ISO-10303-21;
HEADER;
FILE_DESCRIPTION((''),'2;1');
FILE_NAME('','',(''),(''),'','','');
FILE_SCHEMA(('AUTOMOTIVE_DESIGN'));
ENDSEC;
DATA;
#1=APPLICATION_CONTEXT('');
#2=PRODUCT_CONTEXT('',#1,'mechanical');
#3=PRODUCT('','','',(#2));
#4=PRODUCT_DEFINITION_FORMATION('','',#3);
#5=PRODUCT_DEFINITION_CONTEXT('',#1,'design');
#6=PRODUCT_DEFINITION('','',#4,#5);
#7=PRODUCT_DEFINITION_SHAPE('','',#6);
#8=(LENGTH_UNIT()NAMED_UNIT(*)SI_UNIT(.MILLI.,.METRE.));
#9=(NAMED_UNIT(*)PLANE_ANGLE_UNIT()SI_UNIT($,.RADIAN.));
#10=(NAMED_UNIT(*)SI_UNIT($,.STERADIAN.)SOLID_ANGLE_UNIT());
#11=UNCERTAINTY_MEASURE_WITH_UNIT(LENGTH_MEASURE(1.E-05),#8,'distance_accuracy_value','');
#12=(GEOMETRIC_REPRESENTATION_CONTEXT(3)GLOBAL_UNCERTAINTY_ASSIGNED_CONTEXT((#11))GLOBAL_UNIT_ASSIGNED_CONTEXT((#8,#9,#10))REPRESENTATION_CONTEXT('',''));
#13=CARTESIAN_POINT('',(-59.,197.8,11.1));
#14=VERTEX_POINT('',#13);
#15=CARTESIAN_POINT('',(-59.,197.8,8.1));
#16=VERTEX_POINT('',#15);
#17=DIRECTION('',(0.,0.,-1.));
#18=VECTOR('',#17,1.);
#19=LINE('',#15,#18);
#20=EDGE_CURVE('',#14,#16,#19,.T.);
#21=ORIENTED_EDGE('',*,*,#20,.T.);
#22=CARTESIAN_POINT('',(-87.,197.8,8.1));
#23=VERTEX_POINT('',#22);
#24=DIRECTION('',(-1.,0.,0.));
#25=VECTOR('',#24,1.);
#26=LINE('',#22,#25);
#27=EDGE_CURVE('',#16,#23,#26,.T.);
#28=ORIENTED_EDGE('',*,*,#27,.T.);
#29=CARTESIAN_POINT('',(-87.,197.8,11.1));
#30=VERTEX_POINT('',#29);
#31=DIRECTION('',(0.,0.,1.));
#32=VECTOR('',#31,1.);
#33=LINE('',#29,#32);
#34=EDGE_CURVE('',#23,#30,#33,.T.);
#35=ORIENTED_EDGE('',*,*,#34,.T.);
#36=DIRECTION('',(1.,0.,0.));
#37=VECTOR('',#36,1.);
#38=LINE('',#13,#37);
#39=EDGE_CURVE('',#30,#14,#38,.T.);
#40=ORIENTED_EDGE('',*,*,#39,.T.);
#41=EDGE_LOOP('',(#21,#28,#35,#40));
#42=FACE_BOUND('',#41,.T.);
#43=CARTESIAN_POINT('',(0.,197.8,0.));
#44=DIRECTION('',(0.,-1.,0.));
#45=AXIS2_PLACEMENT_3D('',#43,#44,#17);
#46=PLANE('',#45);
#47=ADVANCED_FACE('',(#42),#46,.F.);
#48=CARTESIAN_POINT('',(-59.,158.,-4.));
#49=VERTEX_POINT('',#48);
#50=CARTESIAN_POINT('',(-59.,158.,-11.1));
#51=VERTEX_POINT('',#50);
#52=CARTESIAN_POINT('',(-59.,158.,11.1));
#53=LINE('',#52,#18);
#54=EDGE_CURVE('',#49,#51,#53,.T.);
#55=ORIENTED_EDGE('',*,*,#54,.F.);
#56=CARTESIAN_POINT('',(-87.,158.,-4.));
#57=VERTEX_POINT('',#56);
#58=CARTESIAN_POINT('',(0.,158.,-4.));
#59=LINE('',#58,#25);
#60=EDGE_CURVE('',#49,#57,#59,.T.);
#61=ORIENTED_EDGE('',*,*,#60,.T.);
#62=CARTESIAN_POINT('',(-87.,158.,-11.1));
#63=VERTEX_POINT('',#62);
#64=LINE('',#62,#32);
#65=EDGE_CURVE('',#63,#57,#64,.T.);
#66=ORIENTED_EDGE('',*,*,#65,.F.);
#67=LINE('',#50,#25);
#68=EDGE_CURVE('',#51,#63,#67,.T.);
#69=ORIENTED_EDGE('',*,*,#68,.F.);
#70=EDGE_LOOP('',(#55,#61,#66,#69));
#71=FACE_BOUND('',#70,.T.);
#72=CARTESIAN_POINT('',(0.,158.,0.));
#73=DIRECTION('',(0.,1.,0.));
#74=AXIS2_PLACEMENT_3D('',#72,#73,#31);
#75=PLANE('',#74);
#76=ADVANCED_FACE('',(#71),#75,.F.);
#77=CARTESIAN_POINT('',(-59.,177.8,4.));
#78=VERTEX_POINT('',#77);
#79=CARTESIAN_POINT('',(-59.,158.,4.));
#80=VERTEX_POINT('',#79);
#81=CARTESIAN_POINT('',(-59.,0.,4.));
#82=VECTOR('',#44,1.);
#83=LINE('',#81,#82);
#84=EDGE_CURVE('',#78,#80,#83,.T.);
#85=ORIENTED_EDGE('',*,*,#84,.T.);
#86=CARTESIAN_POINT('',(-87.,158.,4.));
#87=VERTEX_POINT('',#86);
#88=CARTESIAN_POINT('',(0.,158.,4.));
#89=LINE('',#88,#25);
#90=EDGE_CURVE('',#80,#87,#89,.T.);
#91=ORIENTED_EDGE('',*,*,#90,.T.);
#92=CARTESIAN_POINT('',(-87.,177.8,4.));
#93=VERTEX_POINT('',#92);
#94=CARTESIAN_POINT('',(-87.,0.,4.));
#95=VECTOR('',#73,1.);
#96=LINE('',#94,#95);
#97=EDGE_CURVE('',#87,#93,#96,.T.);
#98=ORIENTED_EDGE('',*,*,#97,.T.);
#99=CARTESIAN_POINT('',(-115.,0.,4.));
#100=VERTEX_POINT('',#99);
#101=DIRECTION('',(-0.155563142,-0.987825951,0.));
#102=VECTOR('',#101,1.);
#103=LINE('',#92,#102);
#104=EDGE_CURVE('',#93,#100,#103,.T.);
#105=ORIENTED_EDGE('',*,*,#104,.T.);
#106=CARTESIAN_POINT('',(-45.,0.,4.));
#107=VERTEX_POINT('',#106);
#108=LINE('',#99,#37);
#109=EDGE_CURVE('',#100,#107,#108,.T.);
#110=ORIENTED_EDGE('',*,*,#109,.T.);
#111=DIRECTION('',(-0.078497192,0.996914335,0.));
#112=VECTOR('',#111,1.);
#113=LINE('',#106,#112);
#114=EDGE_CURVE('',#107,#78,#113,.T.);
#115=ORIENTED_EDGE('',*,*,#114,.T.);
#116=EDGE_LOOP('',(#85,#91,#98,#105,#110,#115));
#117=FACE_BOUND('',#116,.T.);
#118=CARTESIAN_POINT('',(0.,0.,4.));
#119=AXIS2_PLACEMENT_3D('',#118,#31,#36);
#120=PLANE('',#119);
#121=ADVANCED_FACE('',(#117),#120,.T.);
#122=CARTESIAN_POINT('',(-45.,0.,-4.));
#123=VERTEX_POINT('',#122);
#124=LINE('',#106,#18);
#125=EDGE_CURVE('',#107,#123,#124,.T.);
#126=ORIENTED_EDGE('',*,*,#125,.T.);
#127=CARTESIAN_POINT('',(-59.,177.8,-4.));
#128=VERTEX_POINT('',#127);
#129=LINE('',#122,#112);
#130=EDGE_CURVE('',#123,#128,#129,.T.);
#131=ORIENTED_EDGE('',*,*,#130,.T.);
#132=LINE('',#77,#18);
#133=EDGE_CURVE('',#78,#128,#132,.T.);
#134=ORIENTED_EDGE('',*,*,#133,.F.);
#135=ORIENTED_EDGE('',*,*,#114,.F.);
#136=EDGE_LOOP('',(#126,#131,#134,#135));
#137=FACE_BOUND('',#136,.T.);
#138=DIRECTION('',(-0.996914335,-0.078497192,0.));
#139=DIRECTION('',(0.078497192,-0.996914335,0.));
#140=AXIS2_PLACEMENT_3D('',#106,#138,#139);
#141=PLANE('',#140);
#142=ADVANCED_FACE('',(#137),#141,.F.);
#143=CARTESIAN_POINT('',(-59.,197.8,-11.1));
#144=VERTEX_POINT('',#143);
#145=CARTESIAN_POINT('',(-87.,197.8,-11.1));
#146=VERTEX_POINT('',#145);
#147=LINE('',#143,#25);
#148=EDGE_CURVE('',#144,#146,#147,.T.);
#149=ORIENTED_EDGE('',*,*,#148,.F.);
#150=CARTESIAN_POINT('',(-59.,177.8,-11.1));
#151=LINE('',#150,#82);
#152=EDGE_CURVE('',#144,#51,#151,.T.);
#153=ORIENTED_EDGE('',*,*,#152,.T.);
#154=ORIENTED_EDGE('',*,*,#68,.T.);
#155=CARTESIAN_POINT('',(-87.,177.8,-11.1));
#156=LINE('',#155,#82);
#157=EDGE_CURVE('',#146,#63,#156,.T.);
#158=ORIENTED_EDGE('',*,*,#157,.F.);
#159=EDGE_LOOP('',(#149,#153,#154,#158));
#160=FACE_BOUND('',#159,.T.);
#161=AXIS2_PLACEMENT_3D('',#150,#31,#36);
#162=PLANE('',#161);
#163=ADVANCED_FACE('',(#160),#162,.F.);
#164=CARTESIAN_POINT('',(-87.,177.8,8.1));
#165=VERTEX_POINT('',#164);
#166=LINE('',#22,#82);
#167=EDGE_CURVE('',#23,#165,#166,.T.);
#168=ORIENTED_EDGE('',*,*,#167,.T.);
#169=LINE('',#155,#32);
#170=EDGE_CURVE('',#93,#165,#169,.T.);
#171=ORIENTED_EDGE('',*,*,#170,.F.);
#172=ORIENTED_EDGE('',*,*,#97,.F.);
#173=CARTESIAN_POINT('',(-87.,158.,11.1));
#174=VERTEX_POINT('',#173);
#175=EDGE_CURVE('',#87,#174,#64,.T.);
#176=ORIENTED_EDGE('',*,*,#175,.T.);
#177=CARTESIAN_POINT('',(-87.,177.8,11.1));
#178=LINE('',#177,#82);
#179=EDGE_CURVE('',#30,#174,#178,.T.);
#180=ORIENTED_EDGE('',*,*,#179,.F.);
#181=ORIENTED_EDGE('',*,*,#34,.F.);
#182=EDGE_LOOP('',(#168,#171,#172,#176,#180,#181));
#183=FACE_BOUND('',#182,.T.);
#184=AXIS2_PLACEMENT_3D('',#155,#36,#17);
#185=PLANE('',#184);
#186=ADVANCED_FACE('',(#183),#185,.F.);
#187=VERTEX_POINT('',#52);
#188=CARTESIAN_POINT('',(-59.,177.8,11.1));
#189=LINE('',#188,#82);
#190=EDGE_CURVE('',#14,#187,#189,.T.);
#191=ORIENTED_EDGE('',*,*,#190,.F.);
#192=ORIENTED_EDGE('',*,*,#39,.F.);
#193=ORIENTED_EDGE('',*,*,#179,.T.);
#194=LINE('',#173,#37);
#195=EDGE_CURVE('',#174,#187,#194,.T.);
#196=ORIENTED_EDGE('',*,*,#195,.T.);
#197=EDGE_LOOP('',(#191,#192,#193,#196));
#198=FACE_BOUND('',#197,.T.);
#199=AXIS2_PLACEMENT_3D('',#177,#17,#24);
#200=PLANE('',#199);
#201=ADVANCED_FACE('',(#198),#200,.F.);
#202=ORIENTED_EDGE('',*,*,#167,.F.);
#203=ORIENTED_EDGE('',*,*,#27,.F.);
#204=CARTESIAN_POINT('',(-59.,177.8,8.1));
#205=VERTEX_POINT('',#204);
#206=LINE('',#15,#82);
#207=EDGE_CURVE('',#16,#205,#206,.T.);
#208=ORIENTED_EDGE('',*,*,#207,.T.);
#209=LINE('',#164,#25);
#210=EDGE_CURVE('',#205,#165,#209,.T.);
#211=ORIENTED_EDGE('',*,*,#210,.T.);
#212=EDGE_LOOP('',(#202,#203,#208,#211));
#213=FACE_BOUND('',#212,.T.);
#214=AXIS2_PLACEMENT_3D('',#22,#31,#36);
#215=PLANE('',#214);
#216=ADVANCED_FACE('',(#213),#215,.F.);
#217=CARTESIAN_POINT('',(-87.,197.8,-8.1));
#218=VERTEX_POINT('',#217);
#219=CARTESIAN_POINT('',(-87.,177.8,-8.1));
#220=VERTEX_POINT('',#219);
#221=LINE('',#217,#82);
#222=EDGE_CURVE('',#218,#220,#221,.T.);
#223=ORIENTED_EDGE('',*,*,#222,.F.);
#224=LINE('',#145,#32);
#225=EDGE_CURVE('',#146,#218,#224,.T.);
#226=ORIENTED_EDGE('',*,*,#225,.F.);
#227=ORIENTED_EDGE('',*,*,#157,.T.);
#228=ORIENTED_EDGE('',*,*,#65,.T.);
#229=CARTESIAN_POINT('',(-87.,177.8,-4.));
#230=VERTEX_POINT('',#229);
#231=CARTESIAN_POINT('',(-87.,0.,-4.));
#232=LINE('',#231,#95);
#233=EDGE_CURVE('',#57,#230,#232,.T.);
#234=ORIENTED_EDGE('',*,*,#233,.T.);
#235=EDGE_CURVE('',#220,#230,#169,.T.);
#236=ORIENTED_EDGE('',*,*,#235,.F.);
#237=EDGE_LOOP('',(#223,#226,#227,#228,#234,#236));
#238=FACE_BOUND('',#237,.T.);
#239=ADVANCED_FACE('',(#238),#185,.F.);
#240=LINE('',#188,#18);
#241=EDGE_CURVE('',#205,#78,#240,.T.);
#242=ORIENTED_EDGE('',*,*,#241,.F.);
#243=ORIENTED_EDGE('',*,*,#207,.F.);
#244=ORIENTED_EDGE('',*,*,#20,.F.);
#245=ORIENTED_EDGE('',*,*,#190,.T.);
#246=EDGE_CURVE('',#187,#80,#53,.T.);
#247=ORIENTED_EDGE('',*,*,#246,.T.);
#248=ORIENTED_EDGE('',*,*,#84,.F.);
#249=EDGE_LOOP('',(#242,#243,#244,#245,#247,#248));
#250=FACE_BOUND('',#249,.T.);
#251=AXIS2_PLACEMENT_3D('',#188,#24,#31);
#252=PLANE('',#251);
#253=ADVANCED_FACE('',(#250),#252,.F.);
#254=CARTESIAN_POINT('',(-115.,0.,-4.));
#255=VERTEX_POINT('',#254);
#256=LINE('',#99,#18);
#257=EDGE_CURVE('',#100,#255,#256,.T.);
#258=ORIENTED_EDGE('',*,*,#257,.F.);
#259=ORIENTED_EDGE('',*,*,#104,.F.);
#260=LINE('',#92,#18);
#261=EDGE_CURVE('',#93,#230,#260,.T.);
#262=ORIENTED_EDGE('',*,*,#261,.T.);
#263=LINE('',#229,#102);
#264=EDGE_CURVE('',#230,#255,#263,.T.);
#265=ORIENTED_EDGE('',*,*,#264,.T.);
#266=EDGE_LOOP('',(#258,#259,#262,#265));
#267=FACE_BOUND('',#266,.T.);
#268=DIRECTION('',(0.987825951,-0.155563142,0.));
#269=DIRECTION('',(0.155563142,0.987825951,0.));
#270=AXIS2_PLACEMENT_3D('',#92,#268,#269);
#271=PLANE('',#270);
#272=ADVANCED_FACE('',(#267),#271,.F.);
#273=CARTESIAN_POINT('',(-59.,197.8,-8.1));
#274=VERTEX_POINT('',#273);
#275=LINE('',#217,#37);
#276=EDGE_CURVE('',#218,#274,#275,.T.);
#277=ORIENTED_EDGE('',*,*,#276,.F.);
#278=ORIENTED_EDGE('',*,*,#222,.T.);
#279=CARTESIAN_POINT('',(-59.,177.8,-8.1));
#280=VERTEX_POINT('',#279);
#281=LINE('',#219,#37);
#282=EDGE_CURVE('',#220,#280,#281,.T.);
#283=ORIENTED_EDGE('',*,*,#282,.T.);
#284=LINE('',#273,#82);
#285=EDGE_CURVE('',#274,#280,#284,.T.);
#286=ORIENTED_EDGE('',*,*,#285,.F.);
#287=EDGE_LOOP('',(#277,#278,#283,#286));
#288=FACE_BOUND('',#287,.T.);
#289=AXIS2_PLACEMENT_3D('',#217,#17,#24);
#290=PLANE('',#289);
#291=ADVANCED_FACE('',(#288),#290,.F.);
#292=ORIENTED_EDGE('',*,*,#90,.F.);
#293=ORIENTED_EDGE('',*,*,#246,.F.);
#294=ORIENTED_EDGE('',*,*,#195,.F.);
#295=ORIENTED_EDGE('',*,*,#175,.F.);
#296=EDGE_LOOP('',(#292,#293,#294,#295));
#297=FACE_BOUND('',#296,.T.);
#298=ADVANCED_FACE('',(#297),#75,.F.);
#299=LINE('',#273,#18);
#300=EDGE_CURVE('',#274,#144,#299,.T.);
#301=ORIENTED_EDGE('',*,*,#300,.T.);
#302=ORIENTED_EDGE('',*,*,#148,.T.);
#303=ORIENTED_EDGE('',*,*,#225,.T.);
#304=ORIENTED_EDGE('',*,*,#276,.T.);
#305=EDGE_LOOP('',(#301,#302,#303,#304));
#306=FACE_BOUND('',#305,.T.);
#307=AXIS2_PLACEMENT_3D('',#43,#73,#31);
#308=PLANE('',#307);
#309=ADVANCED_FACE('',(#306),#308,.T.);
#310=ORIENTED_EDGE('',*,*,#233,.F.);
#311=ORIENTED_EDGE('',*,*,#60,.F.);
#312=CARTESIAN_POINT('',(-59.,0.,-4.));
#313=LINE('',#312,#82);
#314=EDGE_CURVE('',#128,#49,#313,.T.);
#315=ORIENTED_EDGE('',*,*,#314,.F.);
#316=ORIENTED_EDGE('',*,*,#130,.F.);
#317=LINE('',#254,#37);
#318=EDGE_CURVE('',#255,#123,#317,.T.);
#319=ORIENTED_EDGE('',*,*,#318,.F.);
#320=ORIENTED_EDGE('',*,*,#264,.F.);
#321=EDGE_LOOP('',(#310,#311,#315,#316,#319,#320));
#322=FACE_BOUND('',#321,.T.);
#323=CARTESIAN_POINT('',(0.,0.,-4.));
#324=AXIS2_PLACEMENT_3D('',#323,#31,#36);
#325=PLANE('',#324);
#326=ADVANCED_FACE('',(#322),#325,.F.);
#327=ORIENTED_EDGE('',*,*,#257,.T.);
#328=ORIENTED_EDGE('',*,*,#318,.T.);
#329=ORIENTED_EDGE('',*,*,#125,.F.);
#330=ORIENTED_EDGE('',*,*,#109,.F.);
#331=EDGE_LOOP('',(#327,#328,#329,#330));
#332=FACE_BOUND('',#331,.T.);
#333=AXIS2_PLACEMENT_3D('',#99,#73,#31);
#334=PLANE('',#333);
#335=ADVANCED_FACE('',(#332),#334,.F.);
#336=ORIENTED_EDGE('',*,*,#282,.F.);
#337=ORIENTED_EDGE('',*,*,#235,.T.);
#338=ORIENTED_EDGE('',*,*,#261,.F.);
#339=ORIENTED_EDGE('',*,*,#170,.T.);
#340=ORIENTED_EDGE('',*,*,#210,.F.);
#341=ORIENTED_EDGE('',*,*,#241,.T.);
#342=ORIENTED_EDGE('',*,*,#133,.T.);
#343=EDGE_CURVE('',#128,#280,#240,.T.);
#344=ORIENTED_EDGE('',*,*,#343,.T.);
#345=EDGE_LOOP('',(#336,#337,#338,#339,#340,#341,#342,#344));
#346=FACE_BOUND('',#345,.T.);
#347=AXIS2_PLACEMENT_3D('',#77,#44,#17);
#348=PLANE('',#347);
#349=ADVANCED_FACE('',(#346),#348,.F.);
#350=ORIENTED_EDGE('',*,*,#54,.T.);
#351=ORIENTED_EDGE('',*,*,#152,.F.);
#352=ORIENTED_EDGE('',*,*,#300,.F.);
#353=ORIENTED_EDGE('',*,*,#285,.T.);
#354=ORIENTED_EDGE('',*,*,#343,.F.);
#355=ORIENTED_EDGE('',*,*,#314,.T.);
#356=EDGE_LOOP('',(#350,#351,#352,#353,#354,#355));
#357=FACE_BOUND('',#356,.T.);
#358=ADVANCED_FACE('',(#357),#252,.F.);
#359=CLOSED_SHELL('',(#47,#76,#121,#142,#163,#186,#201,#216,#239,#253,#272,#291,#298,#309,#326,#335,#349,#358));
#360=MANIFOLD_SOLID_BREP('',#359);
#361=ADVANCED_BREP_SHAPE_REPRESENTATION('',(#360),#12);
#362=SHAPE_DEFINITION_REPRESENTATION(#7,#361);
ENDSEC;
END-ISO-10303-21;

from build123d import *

# Parameters (mm, degrees)
BOSS_EXTRUDE1_DEPTH = 4
BOSS_EXTRUDE2_START = 158
SKETCH2_W           = 28
SKETCH2_H           = 22.2
BOSS_EXTRUDE2_DEPTH = 19.8
BOSS_EXTRUDE3_START = 177.8
SKETCH3_W           = 28
SKETCH3_H           = 3
BOSS_EXTRUDE3_DEPTH = 20


with BuildPart() as part:
    # Sketch1 → Boss-Extrude1 (new, symmetric)
    with BuildSketch(Plane.XY):
        Polygon((-115, 0), (-45, 0), (-59, 177.8), (-87, 177.8), align=None)
    extrude(amount=BOSS_EXTRUDE1_DEPTH, both=True)

    # Sketch2 → Boss-Extrude2 (add)
    with BuildSketch(Plane(origin=(0, 0, 0), x_dir=(1, 0, 0), z_dir=(0, 1, 0)).offset(BOSS_EXTRUDE2_START)):
        with Locations((-73, 0)):
            Rectangle(SKETCH2_W, SKETCH2_H)
    extrude(amount=BOSS_EXTRUDE2_DEPTH)

    # Sketch3 → Boss-Extrude3 (add)
    with BuildSketch(Plane(origin=(0, 0, 0), x_dir=(1, 0, 0), z_dir=(0, 1, 0)).offset(BOSS_EXTRUDE3_START)):
        with Locations((-73, 9.6)):
            Rectangle(SKETCH3_W, SKETCH3_H)
        with Locations((-73, -9.6)):
            Rectangle(SKETCH3_W, SKETCH3_H)
    extrude(amount=BOSS_EXTRUDE3_DEPTH)


solid = part.part
